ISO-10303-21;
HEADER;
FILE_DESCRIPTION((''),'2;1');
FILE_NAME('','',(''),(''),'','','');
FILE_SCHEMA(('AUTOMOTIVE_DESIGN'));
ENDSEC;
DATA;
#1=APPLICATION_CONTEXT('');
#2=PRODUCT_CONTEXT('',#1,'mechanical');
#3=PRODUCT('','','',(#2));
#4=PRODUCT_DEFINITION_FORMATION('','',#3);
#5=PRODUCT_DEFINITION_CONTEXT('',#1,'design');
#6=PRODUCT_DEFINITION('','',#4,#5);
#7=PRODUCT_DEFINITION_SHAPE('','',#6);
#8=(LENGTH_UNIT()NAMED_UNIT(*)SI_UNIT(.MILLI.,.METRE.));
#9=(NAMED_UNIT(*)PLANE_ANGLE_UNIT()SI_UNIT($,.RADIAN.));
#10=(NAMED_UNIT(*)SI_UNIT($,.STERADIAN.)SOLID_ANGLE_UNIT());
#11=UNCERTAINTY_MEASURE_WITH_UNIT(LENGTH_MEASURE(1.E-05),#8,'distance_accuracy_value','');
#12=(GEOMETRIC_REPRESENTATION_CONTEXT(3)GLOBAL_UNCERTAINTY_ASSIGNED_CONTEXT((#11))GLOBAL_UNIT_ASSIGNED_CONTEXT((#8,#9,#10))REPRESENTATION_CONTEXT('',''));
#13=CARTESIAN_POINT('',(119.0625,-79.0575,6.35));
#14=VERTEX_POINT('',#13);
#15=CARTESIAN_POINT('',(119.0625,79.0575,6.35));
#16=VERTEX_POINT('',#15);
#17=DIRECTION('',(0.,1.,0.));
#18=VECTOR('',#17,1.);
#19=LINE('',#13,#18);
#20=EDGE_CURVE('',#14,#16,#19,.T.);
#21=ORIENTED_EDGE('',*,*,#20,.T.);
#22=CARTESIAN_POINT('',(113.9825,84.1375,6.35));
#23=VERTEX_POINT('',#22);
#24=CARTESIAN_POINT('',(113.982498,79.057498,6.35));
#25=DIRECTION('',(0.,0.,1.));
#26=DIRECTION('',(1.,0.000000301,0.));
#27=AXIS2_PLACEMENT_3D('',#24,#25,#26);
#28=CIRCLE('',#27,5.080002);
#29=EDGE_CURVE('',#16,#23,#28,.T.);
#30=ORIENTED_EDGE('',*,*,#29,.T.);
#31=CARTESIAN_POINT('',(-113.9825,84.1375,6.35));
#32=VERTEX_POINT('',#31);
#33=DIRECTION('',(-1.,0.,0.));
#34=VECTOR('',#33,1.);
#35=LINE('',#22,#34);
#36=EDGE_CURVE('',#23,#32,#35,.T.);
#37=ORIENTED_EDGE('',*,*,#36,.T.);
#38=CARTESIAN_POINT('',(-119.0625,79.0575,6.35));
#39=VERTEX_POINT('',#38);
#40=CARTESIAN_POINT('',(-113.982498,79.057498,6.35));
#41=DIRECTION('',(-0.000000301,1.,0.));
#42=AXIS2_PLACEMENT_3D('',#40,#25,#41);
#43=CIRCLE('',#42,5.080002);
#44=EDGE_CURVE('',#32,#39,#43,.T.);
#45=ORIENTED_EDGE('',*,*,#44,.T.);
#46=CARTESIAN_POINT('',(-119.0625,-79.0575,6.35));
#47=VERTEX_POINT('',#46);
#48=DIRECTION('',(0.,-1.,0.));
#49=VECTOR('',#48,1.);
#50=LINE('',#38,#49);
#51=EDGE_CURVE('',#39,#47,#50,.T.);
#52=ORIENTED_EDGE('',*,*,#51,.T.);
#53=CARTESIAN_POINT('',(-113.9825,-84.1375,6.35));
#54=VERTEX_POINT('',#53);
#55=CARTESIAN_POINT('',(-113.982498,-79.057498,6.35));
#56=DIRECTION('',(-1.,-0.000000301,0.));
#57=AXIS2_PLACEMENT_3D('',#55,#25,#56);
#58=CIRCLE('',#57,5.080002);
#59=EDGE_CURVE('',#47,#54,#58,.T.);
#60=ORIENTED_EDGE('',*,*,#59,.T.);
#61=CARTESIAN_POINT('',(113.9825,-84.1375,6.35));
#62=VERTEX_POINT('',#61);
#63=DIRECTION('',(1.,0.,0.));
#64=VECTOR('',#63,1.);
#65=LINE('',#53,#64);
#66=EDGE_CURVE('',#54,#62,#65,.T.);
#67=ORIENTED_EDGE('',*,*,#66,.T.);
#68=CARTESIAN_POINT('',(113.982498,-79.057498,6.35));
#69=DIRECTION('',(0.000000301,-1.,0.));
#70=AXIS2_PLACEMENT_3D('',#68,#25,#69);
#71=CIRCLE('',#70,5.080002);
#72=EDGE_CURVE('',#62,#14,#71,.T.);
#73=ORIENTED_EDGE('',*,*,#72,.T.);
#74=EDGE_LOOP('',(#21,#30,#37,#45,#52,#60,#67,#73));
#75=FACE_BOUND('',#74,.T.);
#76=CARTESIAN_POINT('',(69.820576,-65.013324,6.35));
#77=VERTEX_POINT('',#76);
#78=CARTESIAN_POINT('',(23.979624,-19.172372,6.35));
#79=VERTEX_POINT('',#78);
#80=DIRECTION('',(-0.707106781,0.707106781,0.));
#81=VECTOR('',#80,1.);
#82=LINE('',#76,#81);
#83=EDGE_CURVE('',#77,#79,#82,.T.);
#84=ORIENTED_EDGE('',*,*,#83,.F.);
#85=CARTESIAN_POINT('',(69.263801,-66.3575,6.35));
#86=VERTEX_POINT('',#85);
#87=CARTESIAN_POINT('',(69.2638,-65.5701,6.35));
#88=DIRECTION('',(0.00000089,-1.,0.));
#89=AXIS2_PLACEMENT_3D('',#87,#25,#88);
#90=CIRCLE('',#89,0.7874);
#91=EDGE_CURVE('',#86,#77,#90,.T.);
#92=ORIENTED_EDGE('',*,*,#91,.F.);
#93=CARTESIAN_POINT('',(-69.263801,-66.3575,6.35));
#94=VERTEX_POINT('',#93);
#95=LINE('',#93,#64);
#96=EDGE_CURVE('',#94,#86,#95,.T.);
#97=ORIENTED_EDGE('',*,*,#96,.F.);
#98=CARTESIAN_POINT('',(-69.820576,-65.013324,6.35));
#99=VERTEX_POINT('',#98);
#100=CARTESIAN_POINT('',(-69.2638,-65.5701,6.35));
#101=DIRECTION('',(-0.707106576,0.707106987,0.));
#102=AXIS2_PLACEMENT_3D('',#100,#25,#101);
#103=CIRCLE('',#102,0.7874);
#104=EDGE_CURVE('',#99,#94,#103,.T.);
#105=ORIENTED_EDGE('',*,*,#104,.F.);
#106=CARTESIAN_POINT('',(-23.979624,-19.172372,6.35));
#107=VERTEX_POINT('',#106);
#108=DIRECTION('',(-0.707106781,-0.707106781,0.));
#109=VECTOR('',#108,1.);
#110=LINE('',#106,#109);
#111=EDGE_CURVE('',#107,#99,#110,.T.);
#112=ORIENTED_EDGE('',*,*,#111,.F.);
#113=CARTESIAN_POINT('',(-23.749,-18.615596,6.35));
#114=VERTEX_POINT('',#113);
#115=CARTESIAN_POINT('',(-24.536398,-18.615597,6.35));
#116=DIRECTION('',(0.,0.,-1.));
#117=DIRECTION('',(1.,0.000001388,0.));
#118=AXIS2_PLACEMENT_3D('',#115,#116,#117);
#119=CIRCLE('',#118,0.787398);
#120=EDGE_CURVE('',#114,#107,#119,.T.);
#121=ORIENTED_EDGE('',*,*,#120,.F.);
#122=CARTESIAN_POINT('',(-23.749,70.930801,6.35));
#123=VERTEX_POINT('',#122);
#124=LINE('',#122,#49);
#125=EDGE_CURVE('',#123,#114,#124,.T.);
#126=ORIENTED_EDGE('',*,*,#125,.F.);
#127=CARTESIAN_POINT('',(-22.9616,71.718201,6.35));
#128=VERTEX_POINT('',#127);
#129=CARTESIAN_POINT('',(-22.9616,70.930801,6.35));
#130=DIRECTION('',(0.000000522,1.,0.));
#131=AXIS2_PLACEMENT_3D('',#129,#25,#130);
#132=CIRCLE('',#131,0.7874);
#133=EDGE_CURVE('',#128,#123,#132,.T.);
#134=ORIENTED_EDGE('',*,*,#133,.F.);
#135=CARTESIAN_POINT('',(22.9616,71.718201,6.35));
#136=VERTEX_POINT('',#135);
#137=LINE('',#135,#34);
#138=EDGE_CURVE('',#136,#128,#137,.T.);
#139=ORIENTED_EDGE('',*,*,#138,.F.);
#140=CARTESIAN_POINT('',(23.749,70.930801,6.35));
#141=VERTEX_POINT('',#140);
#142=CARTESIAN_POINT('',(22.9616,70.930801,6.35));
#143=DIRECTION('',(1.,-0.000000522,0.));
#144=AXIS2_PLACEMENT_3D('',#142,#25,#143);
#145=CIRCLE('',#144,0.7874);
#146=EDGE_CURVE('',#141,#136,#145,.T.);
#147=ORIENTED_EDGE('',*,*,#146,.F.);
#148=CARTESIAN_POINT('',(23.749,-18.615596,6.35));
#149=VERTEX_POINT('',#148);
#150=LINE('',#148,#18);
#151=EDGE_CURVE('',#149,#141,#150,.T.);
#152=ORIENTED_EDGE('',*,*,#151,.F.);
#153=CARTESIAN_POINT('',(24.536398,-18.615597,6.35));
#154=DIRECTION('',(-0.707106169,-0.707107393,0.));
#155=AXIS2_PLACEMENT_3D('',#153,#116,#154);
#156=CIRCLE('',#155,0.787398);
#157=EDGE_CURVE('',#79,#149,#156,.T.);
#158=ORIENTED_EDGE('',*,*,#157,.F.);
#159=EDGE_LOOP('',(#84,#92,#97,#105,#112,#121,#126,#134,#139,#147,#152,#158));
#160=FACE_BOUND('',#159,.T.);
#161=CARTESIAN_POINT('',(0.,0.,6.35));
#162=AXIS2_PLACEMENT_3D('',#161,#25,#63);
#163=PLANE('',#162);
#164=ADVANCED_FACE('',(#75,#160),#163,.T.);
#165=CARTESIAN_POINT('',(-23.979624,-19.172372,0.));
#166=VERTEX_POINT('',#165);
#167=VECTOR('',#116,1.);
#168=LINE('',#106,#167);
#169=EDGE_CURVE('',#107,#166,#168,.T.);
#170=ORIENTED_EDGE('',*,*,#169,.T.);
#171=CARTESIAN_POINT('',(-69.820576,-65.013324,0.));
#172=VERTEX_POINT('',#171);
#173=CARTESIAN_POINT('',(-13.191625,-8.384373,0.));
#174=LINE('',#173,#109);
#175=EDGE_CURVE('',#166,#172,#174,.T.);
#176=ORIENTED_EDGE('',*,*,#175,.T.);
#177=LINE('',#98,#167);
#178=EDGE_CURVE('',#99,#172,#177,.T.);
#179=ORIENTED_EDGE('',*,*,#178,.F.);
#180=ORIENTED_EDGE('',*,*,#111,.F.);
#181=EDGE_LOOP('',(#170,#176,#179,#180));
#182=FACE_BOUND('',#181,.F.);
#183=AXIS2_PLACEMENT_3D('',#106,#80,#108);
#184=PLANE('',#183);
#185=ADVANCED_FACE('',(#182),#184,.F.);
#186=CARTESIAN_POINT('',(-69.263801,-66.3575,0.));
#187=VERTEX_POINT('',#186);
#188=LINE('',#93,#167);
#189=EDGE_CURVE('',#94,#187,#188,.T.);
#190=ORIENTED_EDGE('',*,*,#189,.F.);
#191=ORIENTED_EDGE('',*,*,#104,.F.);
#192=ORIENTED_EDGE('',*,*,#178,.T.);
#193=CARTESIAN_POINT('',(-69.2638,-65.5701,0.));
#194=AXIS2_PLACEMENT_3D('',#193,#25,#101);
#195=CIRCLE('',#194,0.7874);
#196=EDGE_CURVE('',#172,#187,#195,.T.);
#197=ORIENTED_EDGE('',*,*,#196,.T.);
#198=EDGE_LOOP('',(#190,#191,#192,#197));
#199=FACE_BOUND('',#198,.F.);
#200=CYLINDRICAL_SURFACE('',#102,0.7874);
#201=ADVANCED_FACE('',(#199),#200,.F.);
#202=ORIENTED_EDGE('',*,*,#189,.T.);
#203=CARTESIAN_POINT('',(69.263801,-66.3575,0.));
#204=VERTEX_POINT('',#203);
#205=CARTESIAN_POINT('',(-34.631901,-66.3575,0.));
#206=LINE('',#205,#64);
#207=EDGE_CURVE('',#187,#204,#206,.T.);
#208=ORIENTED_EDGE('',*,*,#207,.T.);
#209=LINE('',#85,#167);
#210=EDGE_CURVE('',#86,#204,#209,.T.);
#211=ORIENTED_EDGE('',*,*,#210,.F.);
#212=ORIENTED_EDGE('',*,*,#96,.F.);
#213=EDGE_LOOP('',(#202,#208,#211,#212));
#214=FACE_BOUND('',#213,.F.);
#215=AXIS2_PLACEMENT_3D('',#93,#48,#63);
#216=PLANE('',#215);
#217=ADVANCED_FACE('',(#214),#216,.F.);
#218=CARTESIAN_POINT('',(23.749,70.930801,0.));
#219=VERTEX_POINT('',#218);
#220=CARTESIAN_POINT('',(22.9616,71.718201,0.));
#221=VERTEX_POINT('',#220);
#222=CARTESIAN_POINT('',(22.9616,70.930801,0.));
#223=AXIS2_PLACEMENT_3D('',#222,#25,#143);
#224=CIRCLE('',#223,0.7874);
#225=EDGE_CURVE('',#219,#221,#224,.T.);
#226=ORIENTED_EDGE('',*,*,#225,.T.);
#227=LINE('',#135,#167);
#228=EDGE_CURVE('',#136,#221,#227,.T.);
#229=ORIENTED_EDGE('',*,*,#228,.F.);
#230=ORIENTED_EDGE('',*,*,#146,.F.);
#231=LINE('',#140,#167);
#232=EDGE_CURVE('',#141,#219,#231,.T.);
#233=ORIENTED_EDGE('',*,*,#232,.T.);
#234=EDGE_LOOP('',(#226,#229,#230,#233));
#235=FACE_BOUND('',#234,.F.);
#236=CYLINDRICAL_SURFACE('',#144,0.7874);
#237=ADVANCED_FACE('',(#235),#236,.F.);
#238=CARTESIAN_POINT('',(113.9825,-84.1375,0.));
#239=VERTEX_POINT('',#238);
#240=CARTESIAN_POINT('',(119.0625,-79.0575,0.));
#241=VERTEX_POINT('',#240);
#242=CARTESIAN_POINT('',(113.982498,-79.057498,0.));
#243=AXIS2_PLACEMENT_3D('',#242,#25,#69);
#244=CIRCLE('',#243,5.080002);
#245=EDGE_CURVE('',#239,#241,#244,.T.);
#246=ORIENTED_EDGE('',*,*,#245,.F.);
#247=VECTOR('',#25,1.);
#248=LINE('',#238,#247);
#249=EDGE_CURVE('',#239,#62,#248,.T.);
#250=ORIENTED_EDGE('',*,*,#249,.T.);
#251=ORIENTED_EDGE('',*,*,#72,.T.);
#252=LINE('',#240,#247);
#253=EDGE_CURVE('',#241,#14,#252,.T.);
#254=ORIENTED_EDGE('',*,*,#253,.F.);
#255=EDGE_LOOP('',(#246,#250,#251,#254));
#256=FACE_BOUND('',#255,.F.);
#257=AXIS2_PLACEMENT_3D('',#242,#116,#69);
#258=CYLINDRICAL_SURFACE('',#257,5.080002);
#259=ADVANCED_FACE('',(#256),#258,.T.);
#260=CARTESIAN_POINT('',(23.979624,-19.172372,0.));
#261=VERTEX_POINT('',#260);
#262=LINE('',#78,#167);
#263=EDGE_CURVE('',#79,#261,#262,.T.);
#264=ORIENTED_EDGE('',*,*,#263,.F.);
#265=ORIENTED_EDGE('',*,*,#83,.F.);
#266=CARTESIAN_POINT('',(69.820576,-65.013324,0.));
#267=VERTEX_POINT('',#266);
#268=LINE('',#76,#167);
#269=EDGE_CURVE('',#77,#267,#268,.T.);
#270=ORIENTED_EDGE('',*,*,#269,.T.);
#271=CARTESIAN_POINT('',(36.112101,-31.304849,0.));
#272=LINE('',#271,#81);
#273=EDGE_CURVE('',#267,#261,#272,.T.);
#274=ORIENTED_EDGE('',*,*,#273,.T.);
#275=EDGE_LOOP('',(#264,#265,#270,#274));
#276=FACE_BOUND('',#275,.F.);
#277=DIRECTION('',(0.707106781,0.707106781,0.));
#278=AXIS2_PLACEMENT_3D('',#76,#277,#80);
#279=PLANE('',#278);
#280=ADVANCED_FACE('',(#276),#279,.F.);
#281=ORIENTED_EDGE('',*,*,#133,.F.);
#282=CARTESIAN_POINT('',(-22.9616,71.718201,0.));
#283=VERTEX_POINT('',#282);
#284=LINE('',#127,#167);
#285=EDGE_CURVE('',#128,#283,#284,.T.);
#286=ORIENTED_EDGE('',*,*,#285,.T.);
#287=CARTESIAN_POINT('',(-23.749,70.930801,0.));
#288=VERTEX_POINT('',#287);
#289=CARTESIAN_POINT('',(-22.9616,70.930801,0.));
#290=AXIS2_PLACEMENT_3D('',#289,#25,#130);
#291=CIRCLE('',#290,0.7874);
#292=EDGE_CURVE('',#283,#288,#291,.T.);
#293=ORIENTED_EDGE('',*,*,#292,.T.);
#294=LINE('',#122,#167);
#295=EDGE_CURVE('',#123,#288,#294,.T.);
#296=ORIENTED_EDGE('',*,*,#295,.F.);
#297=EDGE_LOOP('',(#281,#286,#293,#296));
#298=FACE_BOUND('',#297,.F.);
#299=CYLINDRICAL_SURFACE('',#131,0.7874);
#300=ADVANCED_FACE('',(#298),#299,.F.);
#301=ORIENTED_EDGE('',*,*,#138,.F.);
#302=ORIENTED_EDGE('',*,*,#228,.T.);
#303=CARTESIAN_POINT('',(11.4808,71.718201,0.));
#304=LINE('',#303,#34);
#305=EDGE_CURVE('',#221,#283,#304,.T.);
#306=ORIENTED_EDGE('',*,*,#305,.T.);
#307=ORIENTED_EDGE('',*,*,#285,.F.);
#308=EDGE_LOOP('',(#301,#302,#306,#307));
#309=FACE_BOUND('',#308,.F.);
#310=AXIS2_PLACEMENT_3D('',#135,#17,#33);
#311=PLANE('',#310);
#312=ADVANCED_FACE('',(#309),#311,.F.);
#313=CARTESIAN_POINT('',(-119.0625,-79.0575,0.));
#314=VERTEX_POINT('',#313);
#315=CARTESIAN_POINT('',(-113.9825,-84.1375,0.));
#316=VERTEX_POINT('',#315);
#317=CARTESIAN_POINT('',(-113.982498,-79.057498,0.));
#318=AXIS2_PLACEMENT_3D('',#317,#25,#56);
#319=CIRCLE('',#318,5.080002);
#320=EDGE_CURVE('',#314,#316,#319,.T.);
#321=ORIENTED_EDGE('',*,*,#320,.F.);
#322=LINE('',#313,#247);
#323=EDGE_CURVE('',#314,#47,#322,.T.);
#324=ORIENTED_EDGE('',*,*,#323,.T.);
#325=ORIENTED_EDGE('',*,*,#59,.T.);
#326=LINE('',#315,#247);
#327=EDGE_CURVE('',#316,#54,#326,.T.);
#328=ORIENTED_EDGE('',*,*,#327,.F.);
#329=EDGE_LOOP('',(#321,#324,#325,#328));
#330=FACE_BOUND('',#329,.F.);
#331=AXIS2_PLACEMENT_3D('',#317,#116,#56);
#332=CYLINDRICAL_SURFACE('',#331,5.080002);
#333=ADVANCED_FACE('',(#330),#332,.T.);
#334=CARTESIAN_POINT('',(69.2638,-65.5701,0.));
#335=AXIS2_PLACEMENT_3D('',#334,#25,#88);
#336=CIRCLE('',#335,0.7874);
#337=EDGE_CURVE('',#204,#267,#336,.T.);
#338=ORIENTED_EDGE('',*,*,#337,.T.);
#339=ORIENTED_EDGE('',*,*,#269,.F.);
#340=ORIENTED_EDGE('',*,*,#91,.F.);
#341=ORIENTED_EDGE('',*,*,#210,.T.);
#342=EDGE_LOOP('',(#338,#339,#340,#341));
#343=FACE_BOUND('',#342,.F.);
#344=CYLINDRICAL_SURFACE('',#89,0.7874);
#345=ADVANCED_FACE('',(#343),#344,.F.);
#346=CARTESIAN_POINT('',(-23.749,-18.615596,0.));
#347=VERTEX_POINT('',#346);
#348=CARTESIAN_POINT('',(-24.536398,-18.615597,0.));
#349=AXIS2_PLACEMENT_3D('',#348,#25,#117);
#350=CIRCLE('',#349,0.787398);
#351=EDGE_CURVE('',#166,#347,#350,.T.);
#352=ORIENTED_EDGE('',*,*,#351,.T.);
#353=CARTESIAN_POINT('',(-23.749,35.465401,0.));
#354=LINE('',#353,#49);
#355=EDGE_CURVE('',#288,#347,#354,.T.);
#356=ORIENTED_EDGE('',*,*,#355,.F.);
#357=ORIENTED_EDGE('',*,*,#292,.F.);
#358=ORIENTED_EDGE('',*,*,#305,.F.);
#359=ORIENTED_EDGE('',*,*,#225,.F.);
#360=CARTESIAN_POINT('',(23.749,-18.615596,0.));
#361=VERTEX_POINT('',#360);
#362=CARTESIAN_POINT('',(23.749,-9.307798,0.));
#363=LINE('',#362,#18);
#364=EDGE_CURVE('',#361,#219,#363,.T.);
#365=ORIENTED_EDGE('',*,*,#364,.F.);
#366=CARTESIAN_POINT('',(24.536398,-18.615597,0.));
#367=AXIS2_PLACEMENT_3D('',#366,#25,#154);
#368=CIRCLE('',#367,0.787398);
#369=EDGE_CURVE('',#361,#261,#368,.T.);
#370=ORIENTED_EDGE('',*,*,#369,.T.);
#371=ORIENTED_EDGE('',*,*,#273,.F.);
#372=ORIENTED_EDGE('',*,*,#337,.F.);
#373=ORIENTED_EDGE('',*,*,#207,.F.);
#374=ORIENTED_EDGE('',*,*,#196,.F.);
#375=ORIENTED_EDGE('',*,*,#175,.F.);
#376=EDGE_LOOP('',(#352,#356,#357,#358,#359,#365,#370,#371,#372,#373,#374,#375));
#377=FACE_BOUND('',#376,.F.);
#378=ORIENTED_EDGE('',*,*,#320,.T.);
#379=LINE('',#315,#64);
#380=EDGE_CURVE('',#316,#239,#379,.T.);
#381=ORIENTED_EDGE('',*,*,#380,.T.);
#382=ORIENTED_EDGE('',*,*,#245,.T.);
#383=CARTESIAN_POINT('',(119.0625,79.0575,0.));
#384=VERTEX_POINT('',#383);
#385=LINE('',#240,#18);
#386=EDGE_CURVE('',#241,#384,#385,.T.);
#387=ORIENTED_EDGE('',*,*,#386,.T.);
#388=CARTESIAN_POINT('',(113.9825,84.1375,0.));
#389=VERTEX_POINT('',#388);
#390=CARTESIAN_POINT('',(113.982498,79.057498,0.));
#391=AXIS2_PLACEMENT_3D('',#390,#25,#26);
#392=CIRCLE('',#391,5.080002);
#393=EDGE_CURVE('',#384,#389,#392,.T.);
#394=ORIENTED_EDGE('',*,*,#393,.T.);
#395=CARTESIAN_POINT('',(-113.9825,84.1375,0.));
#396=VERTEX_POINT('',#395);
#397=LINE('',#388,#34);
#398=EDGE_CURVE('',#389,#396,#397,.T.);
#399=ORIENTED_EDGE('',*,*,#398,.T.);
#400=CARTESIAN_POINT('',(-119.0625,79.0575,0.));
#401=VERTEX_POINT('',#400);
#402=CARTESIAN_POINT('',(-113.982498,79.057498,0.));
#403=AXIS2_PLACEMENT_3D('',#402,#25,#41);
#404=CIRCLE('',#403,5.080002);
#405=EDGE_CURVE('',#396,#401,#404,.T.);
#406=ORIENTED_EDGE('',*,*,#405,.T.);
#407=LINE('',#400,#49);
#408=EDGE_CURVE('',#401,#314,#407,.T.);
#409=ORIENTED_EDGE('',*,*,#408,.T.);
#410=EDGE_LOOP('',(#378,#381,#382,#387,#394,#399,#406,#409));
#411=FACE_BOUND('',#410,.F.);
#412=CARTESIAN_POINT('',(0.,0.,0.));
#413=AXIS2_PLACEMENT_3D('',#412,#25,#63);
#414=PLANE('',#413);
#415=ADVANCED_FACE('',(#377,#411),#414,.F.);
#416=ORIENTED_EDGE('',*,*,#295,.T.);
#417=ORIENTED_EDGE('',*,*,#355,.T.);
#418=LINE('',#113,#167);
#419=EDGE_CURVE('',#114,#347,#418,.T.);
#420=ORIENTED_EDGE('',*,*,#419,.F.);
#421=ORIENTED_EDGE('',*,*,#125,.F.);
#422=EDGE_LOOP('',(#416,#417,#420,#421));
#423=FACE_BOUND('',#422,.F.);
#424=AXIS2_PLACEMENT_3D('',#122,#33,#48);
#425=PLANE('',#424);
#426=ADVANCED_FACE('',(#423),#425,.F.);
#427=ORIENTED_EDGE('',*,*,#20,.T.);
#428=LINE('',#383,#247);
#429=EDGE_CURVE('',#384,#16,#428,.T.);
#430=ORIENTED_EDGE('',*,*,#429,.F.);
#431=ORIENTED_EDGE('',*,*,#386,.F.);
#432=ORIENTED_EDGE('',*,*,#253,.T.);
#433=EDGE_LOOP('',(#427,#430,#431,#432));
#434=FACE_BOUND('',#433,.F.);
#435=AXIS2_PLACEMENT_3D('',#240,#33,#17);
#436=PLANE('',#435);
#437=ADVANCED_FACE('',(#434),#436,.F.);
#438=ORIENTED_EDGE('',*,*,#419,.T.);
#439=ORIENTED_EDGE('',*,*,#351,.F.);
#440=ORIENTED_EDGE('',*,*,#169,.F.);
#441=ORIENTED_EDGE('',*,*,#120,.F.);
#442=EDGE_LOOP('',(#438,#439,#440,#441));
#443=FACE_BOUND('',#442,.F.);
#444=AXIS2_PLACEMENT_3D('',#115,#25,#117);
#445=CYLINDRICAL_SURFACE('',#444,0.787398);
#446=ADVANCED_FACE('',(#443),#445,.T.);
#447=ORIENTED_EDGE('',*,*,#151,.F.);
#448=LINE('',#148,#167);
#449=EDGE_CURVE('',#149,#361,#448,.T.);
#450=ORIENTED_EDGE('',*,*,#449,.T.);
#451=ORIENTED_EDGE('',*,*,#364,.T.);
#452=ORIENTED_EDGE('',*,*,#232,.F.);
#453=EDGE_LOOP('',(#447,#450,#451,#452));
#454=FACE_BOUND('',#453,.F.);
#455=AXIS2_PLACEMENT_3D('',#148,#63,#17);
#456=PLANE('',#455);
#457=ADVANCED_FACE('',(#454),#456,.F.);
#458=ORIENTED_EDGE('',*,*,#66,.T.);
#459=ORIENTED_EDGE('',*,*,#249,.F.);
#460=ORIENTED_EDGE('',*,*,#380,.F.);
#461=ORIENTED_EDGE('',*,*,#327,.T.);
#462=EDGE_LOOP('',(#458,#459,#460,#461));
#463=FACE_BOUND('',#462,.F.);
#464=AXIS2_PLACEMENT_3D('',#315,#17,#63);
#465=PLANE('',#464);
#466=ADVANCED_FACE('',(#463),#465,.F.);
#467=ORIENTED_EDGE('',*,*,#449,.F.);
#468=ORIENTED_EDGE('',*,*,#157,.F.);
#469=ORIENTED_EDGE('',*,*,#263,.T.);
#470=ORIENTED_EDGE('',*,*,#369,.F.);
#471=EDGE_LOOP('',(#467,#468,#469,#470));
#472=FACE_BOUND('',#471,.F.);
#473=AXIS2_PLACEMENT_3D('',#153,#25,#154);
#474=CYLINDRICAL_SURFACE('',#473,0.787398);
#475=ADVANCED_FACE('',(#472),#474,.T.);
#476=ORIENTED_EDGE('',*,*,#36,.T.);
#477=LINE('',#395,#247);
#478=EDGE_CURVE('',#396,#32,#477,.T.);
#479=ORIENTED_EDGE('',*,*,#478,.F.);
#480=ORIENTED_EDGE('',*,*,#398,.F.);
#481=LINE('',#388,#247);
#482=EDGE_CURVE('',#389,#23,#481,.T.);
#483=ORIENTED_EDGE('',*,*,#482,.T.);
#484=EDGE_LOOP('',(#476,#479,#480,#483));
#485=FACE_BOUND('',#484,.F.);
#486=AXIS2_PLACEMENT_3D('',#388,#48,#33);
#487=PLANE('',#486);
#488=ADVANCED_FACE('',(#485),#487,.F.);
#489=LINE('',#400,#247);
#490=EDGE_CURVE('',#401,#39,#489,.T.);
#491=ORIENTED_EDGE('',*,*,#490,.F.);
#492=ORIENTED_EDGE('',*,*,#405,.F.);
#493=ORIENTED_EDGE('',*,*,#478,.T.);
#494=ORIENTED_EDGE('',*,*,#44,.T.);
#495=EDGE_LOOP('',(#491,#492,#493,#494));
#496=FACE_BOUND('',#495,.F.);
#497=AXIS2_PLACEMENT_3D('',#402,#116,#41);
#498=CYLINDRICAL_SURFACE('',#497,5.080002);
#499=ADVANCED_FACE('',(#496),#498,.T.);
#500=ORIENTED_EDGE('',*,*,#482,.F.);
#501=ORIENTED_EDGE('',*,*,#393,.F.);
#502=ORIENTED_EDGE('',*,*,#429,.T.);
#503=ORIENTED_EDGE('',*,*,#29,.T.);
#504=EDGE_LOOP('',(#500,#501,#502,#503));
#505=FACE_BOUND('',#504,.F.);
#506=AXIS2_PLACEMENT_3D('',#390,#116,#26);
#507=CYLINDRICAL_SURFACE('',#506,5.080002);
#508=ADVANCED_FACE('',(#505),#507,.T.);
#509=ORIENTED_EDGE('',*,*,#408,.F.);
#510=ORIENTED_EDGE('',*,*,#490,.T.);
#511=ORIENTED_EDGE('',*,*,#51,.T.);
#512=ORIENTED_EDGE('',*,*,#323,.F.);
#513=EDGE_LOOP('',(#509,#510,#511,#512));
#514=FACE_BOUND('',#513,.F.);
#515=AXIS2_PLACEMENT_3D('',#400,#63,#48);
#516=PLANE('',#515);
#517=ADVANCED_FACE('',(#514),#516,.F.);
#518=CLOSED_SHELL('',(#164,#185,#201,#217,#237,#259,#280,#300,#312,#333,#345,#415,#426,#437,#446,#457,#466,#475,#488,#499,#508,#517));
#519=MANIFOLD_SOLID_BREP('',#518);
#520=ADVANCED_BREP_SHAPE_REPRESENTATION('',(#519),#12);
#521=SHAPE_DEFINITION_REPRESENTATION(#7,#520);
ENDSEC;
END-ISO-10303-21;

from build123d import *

# Parameters (mm, degrees)
F1_DEPTH = 6.35
F3_DEPTH = 25.4
F5_DEPTH = 25.4


with BuildPart() as f1:
    # F0 (on Top) → F1 (new body)
    with BuildSketch(Plane.XY):
        with BuildLine():
            Line((113.9825, 84.1375), (-113.9825, 84.1375))
            ThreePointArc((-113.9825, 84.1375), (-117.574602, 82.649602), (-119.0625, 79.0575))
            Line((-119.0625, 79.0575), (-119.0625, -79.0575))
            ThreePointArc((-119.0625, -79.0575), (-117.574602, -82.649602), (-113.9825, -84.1375))
            Line((-113.9825, -84.1375), (113.9825, -84.1375))
            ThreePointArc((113.9825, -84.1375), (117.574602, -82.649602), (119.0625, -79.0575))
            Line((119.0625, -79.0575), (119.0625, 79.0575))
            ThreePointArc((119.0625, 79.0575), (117.574602, 82.649602), (113.9825, 84.1375))
        make_face()
    extrude(amount=F1_DEPTH)

    # F2 (on face) → F3 (cut)
    with BuildSketch(Plane.XY.offset(6.35)):
        Polygon((22.479, 70.448201), (0, 70.448201), (-22.479, 70.448201), (-22.479, -19.467799), (-68.098701, -65.0875), (0, -65.0875), (68.098701, -65.0875), (22.479, -19.467799), align=None)
    extrude(amount=-F3_DEPTH, mode=Mode.SUBTRACT)

    # F4 (on face) → F5 (cut)
    with BuildSketch(Plane.XY.offset(6.35)):
        with BuildLine():
            ThreePointArc((-22.9616, 71.718201), (-23.518376, 71.487577), (-23.749, 70.930801))
            Line((-23.749, 70.930801), (-23.749, -18.615596))
            ThreePointArc((-23.749, -18.615596), (-23.808937, -18.916921), (-23.979624, -19.172372))
            Line((-23.979624, -19.172372), (-69.820576, -65.013324))
            ThreePointArc((-69.820576, -65.013324), (-69.991263, -65.871425), (-69.263801, -66.3575))
            Line((-69.263801, -66.3575), (69.263801, -66.3575))
            ThreePointArc((69.263801, -66.3575), (69.991263, -65.871425), (69.820576, -65.013324))
            Line((69.820576, -65.013324), (23.979624, -19.172372))
            ThreePointArc((23.979624, -19.172372), (23.808937, -18.916921), (23.749, -18.615596))
            Line((23.749, -18.615596), (23.749, 70.930801))
            ThreePointArc((23.749, 70.930801), (23.518376, 71.487577), (22.9616, 71.718201))
            Line((22.9616, 71.718201), (-22.9616, 71.718201))
        make_face()
    extrude(amount=-F5_DEPTH, mode=Mode.SUBTRACT)


solid = f1.part
